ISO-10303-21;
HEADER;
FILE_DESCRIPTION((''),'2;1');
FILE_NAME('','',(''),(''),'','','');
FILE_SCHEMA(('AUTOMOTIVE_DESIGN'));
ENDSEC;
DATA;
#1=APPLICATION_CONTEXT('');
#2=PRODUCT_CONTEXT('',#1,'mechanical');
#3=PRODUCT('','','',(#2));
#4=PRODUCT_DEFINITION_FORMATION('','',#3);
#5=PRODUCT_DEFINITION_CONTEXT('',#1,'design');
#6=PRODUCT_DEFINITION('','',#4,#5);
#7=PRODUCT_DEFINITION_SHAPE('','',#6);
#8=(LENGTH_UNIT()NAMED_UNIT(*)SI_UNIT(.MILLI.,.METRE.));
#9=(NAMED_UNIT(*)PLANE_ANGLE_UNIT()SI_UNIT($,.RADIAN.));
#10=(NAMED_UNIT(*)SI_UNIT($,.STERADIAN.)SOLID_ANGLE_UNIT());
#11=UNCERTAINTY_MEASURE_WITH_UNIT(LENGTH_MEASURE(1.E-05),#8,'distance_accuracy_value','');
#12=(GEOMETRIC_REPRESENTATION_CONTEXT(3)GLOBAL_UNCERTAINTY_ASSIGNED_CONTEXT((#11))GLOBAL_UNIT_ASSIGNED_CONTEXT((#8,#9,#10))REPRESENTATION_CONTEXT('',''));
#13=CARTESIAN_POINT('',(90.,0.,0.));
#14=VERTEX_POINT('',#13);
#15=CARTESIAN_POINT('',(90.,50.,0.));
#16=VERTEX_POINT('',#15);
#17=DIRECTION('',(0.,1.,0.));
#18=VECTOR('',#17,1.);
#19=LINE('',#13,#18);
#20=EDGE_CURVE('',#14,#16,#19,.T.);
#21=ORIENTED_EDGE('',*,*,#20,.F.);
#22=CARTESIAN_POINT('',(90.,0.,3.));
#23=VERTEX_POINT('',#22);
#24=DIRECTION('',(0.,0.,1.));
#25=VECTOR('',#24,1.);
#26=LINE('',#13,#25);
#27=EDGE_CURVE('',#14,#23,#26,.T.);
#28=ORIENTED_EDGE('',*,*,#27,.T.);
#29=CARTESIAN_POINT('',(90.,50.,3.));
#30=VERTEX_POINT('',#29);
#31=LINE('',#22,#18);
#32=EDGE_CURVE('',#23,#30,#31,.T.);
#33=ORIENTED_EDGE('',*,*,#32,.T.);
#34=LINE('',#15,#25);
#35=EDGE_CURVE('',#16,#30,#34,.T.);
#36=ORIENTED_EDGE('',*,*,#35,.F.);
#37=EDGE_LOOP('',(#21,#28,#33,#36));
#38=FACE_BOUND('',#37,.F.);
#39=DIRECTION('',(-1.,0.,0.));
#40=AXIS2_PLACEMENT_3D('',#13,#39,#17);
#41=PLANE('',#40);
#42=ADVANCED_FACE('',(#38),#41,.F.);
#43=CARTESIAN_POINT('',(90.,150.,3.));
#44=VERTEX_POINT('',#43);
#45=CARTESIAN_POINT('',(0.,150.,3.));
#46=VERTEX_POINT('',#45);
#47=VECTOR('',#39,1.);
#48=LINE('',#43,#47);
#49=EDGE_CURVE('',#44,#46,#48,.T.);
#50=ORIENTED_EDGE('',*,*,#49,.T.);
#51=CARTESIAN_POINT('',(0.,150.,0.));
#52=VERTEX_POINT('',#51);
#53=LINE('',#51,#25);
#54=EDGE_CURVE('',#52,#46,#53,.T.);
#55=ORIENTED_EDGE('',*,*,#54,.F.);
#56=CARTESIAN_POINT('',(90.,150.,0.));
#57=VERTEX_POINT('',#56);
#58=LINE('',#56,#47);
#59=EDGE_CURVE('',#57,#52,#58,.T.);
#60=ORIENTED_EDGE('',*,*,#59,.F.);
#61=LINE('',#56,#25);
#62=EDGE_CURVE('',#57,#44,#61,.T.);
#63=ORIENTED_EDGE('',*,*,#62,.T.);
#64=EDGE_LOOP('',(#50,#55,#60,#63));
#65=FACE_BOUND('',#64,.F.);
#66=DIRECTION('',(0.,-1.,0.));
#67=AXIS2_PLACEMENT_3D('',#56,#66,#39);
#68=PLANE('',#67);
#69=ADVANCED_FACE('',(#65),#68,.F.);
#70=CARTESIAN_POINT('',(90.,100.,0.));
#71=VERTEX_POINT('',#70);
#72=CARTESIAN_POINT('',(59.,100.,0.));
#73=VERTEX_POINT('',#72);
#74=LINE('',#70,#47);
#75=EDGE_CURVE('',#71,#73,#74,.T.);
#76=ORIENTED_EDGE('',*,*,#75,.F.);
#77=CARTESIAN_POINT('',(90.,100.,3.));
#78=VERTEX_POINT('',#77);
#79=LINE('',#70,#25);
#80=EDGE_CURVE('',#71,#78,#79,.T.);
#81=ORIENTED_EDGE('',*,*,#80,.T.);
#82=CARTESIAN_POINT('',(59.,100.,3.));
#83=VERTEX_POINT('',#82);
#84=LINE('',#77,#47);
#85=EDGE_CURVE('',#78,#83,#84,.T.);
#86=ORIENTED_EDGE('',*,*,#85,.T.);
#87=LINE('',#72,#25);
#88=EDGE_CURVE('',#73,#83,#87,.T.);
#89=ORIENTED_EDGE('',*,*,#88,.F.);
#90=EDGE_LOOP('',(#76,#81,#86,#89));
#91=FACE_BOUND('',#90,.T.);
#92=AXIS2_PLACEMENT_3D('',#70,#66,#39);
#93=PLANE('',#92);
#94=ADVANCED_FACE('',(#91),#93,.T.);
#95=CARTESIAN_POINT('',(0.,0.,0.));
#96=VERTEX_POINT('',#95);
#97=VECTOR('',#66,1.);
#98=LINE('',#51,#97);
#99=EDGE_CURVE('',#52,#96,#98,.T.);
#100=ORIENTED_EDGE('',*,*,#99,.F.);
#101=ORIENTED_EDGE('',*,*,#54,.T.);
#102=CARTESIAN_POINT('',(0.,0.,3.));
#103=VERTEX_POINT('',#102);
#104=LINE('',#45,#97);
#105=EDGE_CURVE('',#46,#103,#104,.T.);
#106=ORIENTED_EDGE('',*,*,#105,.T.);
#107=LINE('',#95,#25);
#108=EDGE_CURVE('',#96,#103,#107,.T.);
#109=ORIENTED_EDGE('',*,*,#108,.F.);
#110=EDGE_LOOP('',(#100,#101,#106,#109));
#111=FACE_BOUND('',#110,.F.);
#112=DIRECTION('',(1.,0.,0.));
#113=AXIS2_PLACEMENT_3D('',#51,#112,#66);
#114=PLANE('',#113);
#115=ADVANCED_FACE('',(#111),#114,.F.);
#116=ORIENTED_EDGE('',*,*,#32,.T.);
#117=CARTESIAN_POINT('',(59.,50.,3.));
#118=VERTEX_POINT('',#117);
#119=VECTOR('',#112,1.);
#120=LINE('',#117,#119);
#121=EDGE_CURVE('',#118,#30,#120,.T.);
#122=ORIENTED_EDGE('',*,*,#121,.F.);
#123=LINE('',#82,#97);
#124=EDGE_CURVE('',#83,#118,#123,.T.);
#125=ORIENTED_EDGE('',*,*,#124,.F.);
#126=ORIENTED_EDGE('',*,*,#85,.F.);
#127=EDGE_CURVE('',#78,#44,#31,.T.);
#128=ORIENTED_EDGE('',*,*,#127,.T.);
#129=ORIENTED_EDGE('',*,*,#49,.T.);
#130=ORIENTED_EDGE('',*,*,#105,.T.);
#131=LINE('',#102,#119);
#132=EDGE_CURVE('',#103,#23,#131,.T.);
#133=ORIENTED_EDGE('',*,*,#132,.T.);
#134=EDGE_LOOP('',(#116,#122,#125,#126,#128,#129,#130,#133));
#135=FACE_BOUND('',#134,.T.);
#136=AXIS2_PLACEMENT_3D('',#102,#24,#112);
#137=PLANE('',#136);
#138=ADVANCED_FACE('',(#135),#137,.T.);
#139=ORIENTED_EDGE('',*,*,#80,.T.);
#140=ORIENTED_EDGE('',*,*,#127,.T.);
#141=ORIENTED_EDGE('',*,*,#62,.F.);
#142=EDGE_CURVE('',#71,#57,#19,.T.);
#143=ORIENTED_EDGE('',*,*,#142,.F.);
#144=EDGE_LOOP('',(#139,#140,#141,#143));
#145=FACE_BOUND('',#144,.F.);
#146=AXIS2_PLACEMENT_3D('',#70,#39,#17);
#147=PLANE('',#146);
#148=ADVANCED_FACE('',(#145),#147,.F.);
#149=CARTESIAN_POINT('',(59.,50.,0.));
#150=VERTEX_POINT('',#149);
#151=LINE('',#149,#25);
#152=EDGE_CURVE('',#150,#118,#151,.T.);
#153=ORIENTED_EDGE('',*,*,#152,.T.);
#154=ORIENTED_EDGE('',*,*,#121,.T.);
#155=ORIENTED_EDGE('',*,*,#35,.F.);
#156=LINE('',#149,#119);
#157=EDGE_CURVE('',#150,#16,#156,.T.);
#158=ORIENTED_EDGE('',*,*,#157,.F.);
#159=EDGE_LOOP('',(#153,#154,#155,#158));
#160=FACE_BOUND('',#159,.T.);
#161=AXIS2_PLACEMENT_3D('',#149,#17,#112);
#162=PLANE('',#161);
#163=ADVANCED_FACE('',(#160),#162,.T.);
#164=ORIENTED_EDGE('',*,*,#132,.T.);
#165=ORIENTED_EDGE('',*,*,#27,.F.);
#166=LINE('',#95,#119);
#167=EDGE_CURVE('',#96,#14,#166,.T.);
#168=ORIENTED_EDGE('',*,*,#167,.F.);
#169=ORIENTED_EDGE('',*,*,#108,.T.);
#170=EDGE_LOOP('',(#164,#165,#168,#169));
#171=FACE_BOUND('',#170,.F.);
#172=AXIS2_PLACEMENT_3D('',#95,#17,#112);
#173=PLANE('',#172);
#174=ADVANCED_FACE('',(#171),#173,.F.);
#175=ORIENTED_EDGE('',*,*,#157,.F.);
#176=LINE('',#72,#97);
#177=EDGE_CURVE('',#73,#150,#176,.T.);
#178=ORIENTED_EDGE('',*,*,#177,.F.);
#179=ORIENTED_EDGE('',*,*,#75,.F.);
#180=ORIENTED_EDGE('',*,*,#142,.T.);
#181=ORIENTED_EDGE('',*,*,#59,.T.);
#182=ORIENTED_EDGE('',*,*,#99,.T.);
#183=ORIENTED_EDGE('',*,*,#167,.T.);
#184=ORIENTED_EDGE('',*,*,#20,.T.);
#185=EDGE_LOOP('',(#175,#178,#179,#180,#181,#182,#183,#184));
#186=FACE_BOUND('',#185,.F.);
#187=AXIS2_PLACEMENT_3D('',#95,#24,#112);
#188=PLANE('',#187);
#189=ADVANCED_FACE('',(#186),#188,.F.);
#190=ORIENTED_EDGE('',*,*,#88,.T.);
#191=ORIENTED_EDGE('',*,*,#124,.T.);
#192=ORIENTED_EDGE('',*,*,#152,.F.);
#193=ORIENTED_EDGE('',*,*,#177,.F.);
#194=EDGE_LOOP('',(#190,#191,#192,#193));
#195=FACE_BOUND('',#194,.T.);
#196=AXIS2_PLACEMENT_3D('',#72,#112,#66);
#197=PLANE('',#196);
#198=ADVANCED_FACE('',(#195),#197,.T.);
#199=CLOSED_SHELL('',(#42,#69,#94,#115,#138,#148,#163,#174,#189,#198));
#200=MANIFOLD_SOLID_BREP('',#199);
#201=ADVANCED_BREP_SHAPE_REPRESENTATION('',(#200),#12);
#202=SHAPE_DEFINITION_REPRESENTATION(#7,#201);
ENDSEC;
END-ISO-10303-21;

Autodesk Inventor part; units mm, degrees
ref_plane "YZ Plane" through (0, 0, 0) normal (1, 0, 0) x (0, 1, 0)
ref_plane "XZ Plane" through (0, 0, 0) normal (0, 1, 0) x (-1, 0, 0)
ref_plane "XY Plane" through (0, 0, 0) normal (0, 0, 1) x (1, 0, 0)
sketch "Sketch1" plane through (0, 0, 0) normal (0, 0, 1) x (1, 0, 0)
  line L0 (0, 0) -> (90, 0)
  line L1 (90, 0) -> (90, 150)
  line L2 (90, 150) -> (0, 150)
  line L3 (0, 150) -> (0, 0)
  line L4 (90, 100) -> (59, 100)
  line L5 (59, 100) -> (59, 50)
  line L6 (59, 50) -> (90, 50)
  line L7 (90, 50) -> (90, 100)
  point P0 (-56.8499, 87.1082)
  dimension "d0" = 90
  dimension "d1" = 150
  dimension "d2" = 31
sketch "Sketch2" plane through (0, 0, 0) normal (0, 0, 1) x (1, 0, 0)
  point P0 (0, 0)
extrude "Extrusion1" add sketch "Sketch1" along normal blind 3 contours L3 L2 L1 L4 L5 L6 L0
properties part number "bridge plate"
